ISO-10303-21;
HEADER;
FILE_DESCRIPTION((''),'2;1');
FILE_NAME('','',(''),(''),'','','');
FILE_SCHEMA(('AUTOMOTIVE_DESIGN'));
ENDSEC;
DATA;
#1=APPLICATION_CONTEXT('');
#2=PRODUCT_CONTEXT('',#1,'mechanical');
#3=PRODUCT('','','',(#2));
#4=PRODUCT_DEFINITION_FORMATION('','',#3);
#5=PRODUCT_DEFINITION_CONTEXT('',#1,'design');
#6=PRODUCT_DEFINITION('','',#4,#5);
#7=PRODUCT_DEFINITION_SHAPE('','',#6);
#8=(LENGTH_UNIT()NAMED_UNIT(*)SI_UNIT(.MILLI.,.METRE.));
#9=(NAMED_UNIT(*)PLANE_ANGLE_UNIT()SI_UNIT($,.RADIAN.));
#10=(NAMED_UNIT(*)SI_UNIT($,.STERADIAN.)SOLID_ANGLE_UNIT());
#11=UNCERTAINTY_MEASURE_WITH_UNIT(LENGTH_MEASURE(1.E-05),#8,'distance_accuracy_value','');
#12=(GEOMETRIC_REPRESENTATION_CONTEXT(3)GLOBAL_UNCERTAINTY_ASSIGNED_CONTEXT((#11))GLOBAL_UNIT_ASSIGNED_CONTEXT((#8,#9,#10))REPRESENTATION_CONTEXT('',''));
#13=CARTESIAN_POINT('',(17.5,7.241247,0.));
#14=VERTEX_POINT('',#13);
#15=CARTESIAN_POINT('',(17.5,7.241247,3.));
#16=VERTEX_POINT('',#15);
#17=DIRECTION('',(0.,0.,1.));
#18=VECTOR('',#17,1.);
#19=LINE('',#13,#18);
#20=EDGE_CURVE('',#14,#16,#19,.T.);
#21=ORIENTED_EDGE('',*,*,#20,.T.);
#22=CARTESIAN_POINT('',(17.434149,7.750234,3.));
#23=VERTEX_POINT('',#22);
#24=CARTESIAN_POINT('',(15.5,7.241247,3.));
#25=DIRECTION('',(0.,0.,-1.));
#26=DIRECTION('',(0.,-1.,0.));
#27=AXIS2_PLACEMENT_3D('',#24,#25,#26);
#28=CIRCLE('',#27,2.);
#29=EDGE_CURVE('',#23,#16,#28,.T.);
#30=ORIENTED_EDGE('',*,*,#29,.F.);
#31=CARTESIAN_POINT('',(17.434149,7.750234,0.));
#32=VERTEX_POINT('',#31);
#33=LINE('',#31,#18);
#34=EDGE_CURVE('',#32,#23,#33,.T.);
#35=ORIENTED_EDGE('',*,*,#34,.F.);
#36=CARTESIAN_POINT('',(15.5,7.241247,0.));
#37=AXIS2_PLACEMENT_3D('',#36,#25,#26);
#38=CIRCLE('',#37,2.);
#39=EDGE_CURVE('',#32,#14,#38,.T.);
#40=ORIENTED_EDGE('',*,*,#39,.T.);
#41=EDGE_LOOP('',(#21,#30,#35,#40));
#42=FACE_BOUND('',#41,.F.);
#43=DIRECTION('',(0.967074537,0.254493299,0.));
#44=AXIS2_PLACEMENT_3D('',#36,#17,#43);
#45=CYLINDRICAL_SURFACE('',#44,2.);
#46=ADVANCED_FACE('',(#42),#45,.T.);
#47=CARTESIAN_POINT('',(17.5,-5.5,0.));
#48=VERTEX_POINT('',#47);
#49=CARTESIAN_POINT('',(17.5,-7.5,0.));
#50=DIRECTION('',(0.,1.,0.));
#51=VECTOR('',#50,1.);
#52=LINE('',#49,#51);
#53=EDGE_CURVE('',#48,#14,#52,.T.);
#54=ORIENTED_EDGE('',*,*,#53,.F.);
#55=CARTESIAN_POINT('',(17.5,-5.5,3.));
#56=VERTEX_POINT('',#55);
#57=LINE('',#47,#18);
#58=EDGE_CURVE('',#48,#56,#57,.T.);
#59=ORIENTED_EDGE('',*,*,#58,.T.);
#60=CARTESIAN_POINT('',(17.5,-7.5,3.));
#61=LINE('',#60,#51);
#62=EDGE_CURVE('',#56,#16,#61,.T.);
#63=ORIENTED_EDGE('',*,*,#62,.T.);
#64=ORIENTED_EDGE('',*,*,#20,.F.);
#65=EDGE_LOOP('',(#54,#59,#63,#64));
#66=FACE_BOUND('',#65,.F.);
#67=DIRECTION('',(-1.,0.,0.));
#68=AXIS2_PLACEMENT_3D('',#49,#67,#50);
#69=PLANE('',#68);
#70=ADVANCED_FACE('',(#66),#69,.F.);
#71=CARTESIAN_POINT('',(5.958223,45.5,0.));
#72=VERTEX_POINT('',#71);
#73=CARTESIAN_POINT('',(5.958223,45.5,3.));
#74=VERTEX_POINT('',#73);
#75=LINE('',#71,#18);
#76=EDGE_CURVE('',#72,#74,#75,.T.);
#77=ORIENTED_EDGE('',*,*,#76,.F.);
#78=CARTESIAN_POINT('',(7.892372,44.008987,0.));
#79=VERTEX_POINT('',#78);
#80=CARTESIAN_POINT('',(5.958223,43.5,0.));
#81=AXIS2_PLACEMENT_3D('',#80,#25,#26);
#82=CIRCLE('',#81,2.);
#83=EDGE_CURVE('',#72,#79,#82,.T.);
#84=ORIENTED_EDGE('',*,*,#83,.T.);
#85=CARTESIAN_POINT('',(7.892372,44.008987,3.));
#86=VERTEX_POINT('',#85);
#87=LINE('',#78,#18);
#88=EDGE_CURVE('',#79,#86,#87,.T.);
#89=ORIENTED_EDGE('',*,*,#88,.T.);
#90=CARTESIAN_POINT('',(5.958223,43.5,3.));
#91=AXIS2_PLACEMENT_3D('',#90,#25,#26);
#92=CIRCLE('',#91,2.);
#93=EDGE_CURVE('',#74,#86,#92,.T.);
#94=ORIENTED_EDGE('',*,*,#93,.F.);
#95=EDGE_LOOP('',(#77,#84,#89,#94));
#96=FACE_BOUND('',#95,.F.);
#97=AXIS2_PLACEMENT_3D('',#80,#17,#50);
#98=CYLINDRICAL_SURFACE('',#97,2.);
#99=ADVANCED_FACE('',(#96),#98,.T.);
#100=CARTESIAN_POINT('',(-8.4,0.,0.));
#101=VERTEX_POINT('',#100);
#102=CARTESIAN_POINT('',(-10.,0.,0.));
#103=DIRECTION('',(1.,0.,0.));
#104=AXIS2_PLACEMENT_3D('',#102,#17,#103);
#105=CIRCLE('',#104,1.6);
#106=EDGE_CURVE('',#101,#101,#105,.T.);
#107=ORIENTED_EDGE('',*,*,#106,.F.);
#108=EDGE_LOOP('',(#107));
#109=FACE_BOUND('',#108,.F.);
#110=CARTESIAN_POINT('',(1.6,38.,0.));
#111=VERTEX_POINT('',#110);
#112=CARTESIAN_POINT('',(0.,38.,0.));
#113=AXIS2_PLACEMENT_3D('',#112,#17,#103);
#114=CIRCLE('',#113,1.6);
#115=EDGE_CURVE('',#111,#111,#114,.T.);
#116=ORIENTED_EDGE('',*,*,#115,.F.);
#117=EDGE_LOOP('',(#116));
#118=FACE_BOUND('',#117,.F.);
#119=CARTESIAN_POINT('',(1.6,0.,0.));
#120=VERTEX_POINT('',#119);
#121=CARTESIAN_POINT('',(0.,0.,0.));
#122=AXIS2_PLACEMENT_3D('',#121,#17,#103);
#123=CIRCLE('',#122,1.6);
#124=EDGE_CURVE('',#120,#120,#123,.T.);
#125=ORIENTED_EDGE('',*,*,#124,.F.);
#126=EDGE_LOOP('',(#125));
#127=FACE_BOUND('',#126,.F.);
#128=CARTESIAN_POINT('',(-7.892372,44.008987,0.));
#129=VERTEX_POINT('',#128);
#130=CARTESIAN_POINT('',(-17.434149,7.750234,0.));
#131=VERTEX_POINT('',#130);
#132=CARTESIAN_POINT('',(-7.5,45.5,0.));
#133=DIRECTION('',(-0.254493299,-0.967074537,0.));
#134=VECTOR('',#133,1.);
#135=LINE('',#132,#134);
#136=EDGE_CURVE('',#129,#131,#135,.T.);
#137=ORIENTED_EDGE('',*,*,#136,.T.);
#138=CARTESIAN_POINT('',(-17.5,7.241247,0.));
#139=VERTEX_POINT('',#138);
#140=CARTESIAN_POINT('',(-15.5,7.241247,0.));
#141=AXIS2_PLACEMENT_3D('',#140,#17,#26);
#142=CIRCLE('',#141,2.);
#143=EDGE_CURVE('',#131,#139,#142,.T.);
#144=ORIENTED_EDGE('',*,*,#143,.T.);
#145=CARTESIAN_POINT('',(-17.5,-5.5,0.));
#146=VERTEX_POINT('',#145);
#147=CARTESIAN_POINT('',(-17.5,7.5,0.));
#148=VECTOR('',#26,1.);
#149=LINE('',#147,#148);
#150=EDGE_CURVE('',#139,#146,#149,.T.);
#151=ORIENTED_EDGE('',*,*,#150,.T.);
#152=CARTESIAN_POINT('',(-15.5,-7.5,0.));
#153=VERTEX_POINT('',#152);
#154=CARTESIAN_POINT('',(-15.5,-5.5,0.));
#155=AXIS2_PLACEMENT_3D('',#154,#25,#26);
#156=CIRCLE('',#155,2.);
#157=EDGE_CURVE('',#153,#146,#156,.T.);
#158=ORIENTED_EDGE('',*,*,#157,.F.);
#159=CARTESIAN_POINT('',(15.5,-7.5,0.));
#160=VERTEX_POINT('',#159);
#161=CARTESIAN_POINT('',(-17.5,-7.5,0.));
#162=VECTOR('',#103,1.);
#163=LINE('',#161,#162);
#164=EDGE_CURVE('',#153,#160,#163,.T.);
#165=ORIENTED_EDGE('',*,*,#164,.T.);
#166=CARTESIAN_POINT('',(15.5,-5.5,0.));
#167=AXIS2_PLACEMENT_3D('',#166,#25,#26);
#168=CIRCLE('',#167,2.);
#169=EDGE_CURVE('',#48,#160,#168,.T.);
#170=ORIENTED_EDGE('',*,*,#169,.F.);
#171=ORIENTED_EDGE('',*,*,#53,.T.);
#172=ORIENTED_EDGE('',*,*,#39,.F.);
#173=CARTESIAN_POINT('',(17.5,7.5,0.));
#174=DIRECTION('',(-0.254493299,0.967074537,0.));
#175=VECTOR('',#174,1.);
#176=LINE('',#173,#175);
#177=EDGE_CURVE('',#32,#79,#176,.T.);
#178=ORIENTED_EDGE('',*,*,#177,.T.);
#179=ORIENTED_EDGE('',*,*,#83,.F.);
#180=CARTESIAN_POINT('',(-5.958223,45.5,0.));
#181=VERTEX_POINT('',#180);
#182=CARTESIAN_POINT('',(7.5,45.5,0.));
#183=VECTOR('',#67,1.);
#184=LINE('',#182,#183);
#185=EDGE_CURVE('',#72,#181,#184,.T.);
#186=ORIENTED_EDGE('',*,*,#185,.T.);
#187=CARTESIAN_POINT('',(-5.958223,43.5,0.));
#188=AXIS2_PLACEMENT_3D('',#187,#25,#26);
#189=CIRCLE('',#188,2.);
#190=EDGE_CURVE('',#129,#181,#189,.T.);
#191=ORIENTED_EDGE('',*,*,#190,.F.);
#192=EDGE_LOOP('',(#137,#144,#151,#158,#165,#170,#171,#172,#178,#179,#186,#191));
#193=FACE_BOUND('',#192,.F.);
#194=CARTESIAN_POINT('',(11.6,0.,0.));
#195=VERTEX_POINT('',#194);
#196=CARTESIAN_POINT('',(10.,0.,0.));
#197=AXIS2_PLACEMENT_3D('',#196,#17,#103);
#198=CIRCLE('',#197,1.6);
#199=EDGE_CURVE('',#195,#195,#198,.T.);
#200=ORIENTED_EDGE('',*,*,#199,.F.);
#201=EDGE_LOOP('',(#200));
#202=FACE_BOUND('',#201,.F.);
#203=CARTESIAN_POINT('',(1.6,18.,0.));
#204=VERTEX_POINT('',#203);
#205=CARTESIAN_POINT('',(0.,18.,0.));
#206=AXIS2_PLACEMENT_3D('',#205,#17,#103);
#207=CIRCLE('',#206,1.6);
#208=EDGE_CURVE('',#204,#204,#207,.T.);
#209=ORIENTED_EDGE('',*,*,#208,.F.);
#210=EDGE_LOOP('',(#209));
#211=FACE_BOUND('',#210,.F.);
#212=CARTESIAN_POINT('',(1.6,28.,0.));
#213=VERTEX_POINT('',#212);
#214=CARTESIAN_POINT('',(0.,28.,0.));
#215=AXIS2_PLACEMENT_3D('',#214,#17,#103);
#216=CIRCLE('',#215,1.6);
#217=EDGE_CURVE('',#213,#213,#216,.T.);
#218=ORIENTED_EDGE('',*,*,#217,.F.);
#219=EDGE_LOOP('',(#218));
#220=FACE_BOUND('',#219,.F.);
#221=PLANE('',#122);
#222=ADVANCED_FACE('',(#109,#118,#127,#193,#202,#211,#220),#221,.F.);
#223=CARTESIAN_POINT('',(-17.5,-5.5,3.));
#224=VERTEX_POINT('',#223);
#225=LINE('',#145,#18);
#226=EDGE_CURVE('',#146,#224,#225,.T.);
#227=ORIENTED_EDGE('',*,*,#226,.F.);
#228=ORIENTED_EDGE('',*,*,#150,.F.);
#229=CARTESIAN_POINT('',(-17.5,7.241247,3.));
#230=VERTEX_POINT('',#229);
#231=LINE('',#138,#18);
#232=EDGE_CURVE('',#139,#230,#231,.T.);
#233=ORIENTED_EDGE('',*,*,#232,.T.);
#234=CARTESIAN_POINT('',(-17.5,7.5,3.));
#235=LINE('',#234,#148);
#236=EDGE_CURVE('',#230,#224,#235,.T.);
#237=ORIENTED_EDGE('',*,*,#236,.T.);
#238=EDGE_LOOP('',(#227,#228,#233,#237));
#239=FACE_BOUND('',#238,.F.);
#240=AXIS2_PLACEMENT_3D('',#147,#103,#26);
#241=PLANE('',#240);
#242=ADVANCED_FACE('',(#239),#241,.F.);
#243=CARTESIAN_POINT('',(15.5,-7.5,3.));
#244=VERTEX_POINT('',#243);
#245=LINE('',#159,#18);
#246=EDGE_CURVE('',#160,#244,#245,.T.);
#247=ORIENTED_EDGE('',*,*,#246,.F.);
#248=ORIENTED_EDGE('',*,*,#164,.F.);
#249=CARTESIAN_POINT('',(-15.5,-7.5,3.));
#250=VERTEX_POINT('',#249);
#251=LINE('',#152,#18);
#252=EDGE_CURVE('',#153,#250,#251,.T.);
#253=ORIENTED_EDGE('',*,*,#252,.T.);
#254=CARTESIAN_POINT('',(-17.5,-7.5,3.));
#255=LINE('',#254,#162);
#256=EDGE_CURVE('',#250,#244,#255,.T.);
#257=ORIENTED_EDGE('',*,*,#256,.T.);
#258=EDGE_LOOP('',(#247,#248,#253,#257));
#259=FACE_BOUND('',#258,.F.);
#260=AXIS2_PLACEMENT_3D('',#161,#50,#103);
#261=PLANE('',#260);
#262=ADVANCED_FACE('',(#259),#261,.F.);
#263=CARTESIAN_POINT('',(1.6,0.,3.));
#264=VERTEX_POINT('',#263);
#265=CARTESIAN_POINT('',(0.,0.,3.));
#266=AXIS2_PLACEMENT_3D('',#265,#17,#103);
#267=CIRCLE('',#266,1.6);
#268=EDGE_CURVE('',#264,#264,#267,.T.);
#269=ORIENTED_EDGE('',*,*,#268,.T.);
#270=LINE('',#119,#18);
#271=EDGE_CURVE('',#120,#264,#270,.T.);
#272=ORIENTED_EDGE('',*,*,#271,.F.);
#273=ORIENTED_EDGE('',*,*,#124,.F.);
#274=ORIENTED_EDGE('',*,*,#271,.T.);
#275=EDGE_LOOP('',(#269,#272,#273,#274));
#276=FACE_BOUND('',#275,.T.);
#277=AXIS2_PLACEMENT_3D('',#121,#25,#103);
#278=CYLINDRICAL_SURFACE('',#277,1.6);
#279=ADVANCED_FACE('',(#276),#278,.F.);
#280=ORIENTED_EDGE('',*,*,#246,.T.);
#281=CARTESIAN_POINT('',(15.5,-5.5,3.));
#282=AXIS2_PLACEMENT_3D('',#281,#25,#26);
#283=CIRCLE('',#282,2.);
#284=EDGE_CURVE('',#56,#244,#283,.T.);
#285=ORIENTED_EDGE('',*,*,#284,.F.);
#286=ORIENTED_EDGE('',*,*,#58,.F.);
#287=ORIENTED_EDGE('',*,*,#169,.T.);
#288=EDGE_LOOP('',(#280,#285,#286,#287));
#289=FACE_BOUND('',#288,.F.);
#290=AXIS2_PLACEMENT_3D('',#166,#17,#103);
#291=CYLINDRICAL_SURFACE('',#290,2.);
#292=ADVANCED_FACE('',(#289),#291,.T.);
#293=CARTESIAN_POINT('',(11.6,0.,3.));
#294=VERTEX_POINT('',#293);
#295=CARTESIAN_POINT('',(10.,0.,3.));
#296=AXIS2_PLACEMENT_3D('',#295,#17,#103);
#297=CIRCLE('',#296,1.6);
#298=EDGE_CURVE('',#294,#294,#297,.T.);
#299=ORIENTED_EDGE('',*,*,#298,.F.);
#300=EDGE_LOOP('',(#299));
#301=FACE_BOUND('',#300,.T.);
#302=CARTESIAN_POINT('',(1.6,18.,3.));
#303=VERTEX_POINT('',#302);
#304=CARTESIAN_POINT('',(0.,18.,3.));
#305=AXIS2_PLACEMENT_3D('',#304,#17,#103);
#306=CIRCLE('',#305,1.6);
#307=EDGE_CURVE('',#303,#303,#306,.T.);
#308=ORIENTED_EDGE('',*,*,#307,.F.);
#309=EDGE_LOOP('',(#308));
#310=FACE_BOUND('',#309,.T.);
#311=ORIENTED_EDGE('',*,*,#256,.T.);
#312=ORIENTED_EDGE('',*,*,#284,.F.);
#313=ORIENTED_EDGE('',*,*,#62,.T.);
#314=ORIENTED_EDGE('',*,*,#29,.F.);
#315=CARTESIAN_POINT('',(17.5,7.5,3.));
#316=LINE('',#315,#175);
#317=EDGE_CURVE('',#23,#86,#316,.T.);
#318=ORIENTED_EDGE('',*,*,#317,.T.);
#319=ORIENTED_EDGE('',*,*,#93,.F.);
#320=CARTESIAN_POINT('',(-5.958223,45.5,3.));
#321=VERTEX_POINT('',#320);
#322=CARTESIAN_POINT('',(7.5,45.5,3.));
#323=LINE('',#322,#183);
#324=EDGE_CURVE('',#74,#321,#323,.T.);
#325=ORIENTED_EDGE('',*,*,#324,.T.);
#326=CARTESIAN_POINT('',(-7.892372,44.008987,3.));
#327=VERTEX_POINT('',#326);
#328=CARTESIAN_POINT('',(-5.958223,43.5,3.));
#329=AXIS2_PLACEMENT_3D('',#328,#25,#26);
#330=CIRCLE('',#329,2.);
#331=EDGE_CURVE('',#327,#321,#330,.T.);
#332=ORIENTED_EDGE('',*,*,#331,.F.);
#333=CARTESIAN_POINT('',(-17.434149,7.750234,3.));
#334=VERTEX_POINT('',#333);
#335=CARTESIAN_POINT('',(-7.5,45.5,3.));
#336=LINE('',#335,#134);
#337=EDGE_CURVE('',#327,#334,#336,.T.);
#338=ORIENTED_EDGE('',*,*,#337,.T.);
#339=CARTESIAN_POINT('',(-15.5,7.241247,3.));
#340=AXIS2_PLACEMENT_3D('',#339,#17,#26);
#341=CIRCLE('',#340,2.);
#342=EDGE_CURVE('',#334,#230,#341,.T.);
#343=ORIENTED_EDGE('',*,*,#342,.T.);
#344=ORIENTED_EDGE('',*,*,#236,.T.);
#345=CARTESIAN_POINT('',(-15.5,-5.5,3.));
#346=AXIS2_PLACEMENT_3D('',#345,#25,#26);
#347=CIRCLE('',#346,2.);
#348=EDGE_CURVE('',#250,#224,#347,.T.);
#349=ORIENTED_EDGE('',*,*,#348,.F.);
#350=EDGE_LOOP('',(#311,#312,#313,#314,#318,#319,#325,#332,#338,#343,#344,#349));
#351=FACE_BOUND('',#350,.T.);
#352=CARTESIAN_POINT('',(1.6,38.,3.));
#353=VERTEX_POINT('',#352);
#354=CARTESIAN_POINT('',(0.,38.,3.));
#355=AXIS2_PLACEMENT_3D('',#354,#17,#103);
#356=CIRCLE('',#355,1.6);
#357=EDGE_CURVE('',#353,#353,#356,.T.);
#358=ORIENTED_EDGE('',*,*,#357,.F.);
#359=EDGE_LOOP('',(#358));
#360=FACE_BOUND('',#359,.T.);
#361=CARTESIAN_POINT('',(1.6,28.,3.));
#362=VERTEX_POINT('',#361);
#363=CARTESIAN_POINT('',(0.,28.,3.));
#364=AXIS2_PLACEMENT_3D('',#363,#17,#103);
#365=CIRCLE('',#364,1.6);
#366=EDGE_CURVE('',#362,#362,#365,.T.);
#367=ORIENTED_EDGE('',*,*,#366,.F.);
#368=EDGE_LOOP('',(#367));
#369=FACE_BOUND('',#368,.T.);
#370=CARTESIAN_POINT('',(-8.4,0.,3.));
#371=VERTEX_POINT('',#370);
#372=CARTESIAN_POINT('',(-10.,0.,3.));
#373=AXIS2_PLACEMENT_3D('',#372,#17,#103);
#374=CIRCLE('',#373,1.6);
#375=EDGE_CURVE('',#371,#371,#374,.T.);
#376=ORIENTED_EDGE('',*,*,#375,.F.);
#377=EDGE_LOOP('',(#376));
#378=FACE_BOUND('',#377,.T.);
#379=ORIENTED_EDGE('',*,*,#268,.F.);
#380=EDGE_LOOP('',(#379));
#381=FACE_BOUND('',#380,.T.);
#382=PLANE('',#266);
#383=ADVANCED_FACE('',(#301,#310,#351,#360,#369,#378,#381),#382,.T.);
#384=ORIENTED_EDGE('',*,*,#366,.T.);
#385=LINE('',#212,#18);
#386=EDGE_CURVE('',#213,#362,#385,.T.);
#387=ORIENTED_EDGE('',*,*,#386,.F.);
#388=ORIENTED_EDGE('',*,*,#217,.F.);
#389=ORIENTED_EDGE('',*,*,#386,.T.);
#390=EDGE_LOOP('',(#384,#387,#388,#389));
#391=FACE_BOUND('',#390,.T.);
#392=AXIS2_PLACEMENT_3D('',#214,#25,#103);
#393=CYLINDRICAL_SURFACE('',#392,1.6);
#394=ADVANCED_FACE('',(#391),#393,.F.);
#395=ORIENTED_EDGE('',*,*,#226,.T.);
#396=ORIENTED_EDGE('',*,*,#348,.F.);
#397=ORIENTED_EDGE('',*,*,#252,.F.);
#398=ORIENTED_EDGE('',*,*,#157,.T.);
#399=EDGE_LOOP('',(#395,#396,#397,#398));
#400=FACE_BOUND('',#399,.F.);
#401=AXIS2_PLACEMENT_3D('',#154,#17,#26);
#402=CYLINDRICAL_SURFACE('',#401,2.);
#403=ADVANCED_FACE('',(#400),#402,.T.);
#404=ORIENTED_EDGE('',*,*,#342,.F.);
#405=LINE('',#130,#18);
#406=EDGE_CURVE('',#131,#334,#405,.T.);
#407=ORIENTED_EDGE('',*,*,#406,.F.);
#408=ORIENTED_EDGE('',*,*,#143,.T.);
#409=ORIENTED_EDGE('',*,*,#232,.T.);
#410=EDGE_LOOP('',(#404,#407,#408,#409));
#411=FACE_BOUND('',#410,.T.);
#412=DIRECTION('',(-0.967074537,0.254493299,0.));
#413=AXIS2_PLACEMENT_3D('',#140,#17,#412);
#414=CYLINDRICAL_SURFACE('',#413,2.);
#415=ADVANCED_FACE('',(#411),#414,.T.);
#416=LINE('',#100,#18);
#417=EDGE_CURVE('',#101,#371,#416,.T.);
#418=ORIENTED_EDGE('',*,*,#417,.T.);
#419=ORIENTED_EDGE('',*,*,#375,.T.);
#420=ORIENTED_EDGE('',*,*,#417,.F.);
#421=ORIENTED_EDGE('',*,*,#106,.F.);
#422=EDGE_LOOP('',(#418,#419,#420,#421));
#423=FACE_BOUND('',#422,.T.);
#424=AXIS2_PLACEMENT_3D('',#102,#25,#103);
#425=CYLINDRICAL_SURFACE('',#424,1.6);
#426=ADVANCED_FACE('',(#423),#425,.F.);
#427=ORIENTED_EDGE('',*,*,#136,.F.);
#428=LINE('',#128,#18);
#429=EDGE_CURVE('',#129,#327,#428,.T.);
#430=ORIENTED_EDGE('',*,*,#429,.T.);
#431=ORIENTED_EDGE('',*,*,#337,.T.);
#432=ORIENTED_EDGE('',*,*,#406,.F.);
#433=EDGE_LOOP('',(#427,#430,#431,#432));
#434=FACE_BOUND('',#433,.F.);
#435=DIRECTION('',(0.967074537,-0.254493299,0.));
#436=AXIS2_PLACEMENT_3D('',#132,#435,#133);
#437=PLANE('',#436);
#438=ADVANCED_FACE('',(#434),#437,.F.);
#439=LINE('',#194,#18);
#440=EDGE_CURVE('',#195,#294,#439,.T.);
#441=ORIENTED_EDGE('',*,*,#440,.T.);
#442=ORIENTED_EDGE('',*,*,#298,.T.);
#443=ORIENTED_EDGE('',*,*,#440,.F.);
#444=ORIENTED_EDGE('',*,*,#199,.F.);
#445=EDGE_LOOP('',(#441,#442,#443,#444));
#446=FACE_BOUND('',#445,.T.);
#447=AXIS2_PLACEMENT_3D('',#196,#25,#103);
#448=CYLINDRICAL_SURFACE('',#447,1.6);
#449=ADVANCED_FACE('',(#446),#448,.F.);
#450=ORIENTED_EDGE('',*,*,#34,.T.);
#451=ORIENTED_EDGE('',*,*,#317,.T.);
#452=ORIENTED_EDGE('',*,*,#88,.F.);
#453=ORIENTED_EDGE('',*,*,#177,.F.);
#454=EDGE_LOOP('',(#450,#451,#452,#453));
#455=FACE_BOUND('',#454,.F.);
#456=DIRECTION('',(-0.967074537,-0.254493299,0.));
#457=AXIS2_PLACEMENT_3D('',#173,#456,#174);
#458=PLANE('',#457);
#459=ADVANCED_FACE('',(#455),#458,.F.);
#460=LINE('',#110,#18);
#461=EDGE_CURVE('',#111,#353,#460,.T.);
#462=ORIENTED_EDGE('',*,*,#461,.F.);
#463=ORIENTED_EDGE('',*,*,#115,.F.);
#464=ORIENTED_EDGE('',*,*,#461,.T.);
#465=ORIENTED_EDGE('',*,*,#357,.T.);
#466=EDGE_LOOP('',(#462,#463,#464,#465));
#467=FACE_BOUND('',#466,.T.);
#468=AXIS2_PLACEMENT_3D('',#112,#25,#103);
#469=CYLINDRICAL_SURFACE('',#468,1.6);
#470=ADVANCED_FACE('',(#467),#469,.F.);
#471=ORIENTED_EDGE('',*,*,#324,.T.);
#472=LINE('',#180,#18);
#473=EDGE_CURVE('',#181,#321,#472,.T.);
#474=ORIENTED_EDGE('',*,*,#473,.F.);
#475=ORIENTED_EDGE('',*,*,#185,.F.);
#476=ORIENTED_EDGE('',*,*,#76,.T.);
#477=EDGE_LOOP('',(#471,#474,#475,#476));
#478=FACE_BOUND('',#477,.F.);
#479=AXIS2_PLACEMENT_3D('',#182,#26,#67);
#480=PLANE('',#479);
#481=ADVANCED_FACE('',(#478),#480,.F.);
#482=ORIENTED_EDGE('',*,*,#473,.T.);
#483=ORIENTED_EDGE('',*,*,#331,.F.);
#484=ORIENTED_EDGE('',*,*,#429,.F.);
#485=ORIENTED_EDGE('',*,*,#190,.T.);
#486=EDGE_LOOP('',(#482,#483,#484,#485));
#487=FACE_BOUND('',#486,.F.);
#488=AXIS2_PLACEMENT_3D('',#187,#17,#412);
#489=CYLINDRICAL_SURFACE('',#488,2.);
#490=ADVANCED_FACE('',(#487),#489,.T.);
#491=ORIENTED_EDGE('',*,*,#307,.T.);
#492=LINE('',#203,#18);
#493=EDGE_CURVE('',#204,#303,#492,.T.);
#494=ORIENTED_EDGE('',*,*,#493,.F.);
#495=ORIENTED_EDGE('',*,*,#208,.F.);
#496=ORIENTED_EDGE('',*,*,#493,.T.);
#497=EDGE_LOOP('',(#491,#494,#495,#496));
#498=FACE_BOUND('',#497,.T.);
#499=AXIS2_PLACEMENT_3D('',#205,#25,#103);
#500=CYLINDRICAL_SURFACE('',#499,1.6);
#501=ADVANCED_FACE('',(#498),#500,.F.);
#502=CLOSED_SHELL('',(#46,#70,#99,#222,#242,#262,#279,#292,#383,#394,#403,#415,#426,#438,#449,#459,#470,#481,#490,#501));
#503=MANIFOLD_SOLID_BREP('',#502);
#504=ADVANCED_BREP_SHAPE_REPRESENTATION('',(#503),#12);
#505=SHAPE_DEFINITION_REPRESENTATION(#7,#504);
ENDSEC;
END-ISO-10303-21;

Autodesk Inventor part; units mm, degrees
ref_plane "YZ Plane" through (0, 0, 0) normal (1, 0, 0) x (0, 1, 0)
ref_plane "XZ Plane" through (0, 0, 0) normal (0, 1, 0) x (-1, 0, 0)
ref_plane "XY Plane" through (0, 0, 0) normal (0, 0, 1) x (1, 0, 0)
sketch "スケッチ1" plane through (0, 0, 0) normal (0, 0, 1) x (1, 0, 0)
  circle A0 centre (0, 0) radius 1.6
  circle A1 centre (10, 0) radius 1.6
  circle A2 centre (-10, 0) radius 1.6
  circle A3 centre (0, 18) radius 1.6
  circle A4 centre (0, 38) radius 1.6
  circle A5 centre (0, 28) radius 1.6
  line L0 (-17.5, 7.5) -> (-17.5, -7.5)
  line L1 (-17.5, -7.5) -> (17.5, -7.5)
  line L2 (17.5, -7.5) -> (17.5, 7.5)
  line L3 (17.5, 7.5) -> (7.5, 45.5)
  line L4 (7.5, 45.5) -> (-7.5, 45.5)
  line L5 (-7.5, 45.5) -> (-17.5, 7.5)
  dimension "d0" = 3.2
  dimension "d1" = 3.2
  dimension "d2" = 3.2
  dimension "d3" = 10
  dimension "d4" = 10
  dimension "d5" = 3.2
  dimension "d6" = 3.2
  dimension "d7" = 3.2
  dimension "d8" = 18
  dimension "d9" = 10
  dimension "d10" = 10
  dimension "d11" = 7.5
  dimension "d12" = 7.5
  dimension "d13" = 7.5
  dimension "d14" = 7.5
  dimension "d15" = 7.5
  dimension "d16" = 7.5
  dimension "d17" = 7.5
extrude "押し出し1" add sketch "スケッチ1" along normal blind 3
fillet "フィレット1" radius 2 6 edges at (-7.5, 45.5, 1.5) (7.5, 45.5, 1.5) (17.5, 7.5, 1.5) (17.5, -7.5, 1.5) (-17.5, -7.5, 1.5) (-17.5, 7.5, 1.5)
properties part number "オムニ_固定具5" material "アルミニウム 6061"
